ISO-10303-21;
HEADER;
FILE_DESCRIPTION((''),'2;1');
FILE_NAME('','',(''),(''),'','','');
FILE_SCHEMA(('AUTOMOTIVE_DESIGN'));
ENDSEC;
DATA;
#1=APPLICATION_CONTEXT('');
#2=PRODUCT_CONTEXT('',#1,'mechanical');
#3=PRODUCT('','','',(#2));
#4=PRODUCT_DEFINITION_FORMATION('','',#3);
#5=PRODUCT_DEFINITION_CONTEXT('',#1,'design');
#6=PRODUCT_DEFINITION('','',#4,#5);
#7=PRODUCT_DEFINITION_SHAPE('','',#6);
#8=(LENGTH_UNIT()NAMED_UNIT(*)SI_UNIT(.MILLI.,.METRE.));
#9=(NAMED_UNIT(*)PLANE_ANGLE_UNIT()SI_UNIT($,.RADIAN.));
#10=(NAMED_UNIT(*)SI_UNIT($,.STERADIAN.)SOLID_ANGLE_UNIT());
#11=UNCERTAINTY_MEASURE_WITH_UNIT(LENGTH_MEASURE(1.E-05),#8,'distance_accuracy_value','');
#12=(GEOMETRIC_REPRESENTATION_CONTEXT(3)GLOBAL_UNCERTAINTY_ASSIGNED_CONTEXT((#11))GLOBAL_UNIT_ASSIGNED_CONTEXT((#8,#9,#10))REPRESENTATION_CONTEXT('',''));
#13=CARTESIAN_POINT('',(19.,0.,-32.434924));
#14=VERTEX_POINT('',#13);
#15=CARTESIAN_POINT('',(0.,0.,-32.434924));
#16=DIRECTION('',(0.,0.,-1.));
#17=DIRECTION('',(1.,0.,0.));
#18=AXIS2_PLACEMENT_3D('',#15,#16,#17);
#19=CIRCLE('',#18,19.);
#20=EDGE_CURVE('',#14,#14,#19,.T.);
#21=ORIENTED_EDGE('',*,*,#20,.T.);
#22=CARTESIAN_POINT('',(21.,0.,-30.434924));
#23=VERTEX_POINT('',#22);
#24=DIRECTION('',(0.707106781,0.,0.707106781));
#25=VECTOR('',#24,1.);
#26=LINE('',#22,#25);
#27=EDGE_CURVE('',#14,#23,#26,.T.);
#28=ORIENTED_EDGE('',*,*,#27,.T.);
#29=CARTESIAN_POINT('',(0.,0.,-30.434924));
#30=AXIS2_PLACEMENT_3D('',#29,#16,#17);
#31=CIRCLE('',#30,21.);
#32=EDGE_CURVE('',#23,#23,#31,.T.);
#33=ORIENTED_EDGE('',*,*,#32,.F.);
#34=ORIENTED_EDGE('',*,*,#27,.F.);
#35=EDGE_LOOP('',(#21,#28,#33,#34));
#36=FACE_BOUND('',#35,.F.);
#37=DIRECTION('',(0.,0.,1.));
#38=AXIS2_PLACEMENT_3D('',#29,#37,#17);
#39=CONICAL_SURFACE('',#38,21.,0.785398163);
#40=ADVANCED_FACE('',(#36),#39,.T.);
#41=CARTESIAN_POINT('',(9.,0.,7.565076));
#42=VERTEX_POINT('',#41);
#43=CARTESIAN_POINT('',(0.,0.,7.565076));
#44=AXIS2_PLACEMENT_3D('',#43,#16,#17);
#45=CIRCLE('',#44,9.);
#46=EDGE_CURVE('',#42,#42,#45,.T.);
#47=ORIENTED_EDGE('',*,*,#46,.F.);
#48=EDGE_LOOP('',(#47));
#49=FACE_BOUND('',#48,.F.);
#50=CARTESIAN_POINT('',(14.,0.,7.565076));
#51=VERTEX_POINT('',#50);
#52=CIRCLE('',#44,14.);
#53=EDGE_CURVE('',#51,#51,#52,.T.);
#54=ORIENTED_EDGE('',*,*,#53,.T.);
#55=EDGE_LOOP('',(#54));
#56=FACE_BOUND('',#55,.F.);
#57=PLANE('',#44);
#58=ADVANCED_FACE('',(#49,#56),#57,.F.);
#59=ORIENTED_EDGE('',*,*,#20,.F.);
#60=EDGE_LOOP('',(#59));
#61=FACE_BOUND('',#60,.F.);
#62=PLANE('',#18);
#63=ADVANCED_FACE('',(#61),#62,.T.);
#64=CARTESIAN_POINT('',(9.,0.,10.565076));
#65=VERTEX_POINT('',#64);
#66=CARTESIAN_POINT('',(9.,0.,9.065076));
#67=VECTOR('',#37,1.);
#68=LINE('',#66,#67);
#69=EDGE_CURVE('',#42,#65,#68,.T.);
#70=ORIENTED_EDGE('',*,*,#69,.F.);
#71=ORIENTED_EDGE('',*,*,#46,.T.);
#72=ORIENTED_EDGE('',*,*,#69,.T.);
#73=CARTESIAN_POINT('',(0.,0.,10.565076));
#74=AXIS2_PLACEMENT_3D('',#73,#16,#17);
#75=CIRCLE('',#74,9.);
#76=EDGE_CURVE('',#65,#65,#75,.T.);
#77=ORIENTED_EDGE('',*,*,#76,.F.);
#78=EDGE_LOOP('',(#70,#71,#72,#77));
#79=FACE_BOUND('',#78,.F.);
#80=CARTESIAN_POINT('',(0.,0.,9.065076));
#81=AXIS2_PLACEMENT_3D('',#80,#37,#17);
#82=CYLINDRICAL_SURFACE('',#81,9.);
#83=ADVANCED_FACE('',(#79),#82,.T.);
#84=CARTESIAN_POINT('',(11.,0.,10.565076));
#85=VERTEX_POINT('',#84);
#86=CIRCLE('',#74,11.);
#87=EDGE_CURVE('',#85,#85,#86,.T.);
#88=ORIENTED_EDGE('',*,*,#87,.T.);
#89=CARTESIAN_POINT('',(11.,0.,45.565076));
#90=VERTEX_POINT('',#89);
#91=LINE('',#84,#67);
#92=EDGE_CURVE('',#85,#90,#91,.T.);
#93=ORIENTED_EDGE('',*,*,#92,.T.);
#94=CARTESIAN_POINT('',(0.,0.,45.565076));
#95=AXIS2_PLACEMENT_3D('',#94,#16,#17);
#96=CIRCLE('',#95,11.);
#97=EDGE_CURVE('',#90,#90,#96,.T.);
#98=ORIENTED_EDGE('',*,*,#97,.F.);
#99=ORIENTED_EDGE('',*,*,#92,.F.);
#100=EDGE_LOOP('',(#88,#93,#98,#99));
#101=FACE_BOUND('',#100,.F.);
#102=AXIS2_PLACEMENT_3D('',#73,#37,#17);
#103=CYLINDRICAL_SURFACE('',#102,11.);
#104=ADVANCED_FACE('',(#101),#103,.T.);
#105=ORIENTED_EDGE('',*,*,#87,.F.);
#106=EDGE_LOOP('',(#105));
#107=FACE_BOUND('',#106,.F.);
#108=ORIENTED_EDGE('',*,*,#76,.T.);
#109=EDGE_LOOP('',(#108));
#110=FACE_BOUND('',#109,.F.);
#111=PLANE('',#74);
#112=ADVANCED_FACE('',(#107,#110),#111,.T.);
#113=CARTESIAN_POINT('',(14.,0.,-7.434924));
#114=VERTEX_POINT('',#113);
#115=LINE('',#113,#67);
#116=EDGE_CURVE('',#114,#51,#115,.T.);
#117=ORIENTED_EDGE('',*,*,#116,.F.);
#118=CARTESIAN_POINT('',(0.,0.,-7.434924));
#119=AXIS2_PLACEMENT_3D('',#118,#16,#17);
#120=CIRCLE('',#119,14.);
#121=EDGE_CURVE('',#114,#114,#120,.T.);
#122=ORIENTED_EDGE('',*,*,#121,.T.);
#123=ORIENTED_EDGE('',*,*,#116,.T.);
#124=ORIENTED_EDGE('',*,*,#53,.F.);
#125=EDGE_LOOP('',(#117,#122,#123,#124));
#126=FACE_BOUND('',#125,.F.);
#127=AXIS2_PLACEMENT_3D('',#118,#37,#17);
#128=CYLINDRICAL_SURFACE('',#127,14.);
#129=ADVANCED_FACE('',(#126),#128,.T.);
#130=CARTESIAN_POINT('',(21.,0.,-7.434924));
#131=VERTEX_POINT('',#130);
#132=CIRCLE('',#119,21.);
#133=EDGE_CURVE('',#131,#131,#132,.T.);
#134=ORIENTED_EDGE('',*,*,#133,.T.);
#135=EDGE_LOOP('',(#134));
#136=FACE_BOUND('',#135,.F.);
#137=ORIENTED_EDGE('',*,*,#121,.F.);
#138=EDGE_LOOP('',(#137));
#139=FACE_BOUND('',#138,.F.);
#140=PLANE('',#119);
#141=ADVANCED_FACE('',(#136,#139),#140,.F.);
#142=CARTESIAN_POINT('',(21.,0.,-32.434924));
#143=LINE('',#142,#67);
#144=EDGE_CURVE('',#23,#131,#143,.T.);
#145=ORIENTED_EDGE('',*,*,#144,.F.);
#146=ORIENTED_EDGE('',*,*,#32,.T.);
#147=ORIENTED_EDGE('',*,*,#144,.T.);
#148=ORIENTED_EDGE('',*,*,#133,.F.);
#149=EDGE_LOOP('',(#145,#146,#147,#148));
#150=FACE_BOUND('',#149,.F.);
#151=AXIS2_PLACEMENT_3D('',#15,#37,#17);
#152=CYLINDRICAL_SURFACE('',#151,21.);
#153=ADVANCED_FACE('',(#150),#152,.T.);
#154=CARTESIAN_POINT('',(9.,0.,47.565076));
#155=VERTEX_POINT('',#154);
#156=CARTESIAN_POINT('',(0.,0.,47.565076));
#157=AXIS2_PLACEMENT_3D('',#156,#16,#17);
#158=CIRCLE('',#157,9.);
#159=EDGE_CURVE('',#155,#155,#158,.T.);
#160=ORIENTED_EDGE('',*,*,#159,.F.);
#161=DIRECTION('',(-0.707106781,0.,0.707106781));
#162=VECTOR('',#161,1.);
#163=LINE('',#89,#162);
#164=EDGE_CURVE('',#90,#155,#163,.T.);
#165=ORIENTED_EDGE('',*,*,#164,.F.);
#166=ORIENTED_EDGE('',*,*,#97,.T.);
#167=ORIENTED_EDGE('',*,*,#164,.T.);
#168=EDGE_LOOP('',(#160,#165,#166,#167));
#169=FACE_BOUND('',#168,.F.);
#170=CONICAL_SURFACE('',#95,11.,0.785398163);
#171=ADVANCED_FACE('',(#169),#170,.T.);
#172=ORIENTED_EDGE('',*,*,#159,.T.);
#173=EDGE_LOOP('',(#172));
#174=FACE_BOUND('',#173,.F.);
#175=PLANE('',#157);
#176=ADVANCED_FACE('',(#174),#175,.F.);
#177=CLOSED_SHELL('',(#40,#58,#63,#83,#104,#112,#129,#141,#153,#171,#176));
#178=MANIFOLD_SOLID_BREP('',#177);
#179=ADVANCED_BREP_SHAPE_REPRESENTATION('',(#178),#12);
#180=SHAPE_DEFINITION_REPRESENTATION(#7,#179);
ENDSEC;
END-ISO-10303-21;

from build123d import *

# Parameters (mm, degrees)
F0_W     = 9
F0_H     = 3
F2_SIZE2 = 2
F2_SIZE  = 2


with BuildPart() as f1:
    # F0 (on Front) → F1 (revolve)
    with BuildSketch(Plane.XZ):
        Polygon((0, 47.565076), (0, 10.565076), (9, 10.565076), (11, 10.565076), (11, 47.565076), align=None)
        with Locations((4.5, 9.065076)):
            Rectangle(F0_W, F0_H)
        Polygon((0, 7.565076), (0, -7.434924), (14, -7.434924), (14, 7.565076), (9, 7.565076), align=None)
        Polygon((0, -7.434924), (0, -32.434924), (21, -32.434924), (21, -7.434924), (14, -7.434924), align=None)
    revolve(axis=Axis((0, 0, 7.565076), (0, 0, -1)))

    # F2
    f2_edges = [f1.edges().sort_by_distance(p)[0] for p in [
        (-11, 0, 47.565076),
        (-21, 0, -32.434924),
    ]]
    chamfer(f2_edges, length=F2_SIZE, length2=F2_SIZE2)


solid = f1.part
